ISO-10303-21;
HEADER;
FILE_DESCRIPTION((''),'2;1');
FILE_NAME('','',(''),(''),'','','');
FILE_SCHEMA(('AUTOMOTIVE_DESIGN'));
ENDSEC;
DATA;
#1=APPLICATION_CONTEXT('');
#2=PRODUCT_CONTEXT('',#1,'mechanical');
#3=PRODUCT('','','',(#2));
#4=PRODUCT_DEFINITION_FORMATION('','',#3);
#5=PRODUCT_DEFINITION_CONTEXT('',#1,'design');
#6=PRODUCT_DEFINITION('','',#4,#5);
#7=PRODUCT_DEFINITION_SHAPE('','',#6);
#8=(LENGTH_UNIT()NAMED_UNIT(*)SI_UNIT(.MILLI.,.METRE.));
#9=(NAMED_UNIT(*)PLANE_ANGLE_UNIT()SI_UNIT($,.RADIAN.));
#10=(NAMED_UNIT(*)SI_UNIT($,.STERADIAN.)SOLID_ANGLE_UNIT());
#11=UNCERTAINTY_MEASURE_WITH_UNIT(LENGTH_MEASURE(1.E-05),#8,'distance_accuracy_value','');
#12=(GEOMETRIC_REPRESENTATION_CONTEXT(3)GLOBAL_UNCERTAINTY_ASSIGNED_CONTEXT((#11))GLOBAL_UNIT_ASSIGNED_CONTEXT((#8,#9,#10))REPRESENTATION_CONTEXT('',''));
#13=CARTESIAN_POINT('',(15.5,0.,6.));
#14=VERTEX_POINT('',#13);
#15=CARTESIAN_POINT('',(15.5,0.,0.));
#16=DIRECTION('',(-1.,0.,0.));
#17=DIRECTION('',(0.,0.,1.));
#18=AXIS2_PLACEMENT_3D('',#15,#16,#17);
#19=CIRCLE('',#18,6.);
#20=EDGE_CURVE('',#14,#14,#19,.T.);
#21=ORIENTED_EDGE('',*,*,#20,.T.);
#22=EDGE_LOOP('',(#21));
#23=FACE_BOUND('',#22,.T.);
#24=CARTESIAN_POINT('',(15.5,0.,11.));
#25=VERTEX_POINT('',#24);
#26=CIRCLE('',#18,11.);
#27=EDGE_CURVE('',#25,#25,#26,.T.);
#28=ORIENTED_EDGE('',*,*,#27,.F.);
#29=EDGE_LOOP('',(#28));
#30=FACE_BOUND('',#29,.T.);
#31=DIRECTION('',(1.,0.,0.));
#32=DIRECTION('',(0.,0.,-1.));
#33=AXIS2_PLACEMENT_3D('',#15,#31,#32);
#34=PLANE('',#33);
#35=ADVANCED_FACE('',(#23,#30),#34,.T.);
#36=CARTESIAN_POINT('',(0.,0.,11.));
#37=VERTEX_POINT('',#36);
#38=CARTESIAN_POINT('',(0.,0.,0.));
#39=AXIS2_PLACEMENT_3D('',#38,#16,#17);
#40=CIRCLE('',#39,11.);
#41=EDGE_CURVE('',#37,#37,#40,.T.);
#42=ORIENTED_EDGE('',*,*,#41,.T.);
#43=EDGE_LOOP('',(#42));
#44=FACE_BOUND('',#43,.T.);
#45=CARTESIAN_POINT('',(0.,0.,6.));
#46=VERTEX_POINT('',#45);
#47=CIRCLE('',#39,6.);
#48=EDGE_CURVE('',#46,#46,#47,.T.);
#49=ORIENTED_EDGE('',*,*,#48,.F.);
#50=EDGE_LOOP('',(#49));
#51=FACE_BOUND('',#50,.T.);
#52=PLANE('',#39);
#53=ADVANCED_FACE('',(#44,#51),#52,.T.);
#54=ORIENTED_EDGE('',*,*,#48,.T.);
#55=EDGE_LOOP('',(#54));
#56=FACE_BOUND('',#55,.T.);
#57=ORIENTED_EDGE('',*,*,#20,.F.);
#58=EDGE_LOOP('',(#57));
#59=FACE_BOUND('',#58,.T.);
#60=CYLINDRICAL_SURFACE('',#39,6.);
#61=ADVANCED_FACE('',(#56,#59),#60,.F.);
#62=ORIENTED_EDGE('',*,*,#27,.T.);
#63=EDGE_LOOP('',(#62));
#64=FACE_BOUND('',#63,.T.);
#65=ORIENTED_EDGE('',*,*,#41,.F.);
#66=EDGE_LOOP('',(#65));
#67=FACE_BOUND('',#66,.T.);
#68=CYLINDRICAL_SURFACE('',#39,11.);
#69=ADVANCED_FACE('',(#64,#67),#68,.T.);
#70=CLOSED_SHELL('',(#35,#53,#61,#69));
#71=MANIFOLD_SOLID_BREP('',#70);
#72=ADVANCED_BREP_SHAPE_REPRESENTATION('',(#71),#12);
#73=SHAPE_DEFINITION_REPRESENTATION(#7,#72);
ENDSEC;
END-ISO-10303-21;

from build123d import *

# Parameters (mm, degrees)
SKIZZE2_W = 15.5
SKIZZE2_H = 5


with BuildPart() as part:
    # Skizze2 → Rotation1 (revolve)
    with BuildSketch(Plane(origin=(0, 0, 0), x_dir=(1, 0, 0), z_dir=(0, 1, 0)), mode=Mode.PRIVATE) as rotation1_sk:
        with Locations((7.75, 8.5)):
            Rectangle(SKIZZE2_W, SKIZZE2_H)
        with Locations((7.75, -8.5)):
            Rectangle(SKIZZE2_W, SKIZZE2_H)
    revolve(rotation1_sk.sketch.rotate(Axis((0, 0, 0), (1, 0, 0)), 180), axis=Axis((0, 0, 0), (1, 0, 0)))


solid = part.part
